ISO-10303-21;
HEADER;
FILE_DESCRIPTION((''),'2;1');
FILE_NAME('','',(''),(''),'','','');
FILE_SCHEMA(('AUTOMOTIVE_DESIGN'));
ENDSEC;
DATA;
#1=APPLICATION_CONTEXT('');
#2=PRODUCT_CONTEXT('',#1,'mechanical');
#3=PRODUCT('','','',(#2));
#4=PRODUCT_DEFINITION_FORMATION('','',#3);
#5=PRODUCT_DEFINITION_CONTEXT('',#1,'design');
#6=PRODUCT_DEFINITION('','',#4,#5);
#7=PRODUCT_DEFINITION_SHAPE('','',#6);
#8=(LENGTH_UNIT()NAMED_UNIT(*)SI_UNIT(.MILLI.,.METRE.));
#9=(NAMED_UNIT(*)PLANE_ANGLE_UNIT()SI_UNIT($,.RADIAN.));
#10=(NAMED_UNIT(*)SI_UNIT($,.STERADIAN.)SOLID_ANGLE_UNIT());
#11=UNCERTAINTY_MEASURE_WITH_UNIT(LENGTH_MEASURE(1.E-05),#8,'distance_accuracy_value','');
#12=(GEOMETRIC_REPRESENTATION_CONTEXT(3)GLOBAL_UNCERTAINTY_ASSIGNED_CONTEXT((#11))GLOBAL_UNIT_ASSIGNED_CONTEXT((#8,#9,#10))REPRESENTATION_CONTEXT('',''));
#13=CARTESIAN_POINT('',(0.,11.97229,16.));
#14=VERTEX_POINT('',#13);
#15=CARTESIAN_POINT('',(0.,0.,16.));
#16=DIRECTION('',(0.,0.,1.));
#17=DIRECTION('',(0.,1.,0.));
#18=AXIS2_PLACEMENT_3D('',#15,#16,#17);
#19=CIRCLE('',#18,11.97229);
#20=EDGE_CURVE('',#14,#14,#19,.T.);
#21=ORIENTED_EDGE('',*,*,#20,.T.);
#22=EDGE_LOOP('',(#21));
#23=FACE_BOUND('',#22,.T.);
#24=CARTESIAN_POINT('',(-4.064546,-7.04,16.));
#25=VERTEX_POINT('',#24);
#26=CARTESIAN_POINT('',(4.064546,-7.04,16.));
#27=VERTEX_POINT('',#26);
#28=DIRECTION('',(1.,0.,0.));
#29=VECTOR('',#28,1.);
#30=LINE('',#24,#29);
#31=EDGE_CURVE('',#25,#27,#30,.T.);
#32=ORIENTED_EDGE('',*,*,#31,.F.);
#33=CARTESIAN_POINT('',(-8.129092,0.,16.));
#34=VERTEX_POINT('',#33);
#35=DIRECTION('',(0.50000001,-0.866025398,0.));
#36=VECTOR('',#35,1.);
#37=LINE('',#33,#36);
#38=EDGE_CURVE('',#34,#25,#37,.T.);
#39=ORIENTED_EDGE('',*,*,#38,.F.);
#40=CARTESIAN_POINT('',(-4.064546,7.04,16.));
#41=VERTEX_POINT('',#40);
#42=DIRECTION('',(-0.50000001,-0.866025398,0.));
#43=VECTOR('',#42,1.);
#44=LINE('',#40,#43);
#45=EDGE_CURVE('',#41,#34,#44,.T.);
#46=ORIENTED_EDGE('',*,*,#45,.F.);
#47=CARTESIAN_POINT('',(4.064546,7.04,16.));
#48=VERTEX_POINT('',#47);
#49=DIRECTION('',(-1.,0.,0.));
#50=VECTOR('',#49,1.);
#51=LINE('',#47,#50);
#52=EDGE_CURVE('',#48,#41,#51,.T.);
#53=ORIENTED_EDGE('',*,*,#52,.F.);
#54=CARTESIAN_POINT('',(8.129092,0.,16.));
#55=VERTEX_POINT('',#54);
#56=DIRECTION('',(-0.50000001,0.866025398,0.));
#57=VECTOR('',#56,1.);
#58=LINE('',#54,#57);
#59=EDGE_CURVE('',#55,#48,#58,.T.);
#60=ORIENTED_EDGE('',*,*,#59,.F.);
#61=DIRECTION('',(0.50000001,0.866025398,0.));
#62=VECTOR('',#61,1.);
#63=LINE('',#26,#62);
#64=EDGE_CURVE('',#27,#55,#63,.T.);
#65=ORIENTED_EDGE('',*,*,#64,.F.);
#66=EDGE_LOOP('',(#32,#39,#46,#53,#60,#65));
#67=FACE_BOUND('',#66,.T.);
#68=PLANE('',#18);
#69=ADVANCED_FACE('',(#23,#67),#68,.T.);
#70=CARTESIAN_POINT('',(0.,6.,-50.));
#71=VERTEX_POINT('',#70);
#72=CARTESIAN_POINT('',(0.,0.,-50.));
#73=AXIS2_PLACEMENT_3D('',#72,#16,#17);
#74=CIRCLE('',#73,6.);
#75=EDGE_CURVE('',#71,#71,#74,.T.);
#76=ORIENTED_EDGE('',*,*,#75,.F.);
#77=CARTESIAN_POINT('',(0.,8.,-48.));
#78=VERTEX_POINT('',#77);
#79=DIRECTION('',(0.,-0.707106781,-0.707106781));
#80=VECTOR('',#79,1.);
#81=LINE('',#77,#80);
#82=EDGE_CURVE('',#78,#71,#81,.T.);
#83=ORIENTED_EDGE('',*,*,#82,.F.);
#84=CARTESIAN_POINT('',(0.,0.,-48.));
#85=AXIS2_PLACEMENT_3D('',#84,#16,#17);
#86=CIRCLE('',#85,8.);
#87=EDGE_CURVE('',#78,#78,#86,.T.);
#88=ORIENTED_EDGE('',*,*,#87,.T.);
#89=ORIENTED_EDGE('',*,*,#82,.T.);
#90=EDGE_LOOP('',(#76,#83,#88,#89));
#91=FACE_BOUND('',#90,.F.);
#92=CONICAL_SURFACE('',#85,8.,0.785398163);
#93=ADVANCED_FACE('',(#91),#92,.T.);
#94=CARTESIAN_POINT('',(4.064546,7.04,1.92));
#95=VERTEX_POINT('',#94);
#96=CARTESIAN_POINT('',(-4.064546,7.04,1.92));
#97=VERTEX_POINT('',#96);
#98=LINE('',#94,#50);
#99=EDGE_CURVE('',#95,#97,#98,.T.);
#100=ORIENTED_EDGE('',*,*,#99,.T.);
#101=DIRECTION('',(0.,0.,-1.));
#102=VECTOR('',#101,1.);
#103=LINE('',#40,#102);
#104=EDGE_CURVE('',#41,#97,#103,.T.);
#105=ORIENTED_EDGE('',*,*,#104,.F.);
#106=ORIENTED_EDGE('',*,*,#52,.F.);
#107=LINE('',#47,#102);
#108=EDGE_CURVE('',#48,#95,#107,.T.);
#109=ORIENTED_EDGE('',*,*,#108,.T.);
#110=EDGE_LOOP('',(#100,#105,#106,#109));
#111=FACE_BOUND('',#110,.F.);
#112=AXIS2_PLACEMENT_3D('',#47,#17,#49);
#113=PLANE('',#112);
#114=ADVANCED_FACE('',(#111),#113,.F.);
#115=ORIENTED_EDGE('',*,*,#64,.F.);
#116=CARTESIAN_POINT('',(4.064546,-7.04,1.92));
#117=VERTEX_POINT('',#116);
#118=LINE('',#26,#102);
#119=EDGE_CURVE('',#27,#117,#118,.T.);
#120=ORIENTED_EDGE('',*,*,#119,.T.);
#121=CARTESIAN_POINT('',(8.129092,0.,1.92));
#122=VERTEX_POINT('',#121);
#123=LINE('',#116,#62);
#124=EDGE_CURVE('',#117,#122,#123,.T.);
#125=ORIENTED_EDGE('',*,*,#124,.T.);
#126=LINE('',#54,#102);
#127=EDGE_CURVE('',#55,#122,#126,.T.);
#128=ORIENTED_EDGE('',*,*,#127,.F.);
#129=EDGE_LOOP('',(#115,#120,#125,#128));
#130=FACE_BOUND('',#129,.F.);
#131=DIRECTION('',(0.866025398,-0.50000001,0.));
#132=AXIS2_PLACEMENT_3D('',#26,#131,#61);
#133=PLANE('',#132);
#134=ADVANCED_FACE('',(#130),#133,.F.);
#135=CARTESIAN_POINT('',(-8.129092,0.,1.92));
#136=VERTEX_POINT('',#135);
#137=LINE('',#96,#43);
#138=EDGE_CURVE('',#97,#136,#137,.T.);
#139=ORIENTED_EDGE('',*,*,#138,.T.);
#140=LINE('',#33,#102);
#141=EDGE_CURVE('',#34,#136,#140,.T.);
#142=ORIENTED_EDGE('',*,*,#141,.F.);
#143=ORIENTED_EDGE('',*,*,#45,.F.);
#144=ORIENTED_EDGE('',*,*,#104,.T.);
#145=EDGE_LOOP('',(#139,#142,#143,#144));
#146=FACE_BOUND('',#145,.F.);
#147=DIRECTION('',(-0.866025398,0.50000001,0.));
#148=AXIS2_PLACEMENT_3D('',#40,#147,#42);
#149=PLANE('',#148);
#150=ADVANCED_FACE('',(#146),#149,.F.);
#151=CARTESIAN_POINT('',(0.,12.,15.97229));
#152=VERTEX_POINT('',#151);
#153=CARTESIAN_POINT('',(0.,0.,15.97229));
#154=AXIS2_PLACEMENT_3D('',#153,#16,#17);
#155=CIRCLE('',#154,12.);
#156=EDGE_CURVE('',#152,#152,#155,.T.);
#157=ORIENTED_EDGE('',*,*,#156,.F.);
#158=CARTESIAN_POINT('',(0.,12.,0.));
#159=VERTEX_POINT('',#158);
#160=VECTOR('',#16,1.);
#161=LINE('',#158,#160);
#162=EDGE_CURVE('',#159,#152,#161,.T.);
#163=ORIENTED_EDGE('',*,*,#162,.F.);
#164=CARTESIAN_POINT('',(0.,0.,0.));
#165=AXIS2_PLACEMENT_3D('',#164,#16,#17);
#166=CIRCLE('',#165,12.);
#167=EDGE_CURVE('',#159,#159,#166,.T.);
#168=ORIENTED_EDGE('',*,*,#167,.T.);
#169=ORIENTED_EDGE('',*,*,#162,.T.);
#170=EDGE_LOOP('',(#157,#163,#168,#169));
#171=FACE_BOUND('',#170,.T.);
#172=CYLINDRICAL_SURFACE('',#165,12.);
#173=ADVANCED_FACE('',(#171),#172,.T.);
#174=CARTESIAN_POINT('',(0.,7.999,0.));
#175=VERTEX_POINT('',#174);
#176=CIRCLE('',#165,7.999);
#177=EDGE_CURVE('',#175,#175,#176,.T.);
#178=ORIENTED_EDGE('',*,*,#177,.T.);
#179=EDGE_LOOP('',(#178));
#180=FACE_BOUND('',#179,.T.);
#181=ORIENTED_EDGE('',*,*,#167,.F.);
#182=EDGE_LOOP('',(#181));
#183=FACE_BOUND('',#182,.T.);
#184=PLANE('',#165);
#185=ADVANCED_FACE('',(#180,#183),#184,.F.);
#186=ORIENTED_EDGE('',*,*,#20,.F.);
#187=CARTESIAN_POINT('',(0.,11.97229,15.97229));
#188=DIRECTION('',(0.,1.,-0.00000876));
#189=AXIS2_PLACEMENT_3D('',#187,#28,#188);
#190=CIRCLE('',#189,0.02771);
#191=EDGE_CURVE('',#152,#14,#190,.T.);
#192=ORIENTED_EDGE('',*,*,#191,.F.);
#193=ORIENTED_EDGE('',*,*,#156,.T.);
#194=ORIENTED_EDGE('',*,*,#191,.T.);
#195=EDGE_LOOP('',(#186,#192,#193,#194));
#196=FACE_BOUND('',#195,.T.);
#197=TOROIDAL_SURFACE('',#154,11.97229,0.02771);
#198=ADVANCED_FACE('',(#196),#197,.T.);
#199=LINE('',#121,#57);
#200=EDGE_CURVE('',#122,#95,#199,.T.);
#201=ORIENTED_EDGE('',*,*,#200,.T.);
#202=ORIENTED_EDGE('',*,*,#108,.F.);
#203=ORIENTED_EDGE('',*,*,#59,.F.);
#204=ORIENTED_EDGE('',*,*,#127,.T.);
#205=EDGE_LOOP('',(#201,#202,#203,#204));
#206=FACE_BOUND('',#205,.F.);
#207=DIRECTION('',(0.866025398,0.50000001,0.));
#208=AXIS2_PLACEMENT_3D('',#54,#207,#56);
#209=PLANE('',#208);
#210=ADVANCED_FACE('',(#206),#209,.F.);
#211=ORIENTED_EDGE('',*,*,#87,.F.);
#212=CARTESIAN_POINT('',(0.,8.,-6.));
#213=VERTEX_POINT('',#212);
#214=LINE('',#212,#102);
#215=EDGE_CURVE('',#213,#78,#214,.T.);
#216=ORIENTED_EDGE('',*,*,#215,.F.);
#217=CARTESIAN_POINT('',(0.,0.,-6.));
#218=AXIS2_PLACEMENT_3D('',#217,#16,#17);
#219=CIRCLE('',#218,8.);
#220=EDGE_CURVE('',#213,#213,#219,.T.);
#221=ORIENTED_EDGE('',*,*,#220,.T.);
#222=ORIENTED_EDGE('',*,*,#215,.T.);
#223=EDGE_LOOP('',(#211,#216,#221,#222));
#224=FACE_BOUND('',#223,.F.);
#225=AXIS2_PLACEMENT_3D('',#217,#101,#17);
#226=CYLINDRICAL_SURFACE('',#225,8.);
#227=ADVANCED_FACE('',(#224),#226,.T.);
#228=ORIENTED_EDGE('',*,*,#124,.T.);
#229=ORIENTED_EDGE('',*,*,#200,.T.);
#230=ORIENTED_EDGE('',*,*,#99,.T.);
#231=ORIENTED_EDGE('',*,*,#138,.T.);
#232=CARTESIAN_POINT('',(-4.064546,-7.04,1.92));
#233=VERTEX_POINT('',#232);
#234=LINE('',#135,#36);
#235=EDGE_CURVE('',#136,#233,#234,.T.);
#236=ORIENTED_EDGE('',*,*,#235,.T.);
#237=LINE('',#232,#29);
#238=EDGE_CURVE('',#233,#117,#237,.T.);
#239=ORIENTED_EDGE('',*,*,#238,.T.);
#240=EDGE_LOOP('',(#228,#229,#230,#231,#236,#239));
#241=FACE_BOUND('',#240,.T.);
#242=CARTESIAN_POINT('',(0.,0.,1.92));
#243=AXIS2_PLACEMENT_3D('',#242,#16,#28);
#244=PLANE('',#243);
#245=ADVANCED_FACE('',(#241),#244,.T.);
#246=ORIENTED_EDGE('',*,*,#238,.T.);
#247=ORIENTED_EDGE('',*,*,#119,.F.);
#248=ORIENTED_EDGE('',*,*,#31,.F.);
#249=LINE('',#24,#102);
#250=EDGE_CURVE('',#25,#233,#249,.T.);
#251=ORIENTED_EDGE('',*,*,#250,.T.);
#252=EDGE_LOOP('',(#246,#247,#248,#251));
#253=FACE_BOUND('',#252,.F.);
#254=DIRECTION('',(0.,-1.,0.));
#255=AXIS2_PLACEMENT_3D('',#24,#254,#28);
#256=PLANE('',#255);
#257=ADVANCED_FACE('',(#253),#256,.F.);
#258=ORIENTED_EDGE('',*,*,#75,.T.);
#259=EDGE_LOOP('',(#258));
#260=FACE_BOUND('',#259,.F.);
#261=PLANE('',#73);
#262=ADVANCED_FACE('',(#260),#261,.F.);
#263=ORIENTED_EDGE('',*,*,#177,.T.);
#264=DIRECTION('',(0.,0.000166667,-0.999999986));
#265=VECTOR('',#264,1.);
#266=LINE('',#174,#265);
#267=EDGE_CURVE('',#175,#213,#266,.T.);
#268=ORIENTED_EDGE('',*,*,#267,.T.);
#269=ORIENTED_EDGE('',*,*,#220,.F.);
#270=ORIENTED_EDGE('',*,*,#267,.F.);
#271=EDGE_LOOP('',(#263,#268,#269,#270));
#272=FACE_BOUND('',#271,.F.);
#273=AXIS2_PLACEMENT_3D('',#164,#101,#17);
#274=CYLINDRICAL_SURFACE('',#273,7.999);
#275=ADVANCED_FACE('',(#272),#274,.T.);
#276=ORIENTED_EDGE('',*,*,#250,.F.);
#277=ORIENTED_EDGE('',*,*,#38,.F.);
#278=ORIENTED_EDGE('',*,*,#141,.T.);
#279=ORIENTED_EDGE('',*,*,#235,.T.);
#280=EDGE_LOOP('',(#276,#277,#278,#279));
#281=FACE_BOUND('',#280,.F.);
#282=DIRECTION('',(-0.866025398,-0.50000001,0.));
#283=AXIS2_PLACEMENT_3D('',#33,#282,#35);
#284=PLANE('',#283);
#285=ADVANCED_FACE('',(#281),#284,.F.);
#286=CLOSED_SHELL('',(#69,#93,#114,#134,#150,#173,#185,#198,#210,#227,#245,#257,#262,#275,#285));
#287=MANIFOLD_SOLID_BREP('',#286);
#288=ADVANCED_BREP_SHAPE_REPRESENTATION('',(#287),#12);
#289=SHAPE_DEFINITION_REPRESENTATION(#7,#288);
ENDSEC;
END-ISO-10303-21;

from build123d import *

# Parameters (mm, degrees)
POCKET_DEPTH = 14.08


with BuildPart() as part:
    # Sketch → Revolve (revolve)
    with BuildSketch(Plane.YZ):
        with BuildLine():
            Line((7.999, 0), (12, 0))
            Line((12, 0), (12, 15.97229))
            ThreePointArc((12, 15.97229), (11.991884, 15.991884), (11.97229, 16))
            Line((11.97229, 16), (0, 16))
            Line((0, -50), (0, 16))
            Line((6, -50), (0, -50))
            Line((8, -48), (6, -50))
            Line((8, -6), (8, -48))
            Line((7.999, 0), (8, -6))
        make_face()
    revolve(axis=Axis((0, 0, 0), (0, 0, 1)))

    # Sketch001 → Pocket (cut)
    with BuildSketch(Plane.XY.offset(16)):
        Polygon((8.129092, 0), (4.064546, 7.04), (-4.064546, 7.04), (-8.129092, 0), (-4.064546, -7.04), (4.064546, -7.04), align=None)
    extrude(amount=-POCKET_DEPTH, mode=Mode.SUBTRACT)


solid = part.part
